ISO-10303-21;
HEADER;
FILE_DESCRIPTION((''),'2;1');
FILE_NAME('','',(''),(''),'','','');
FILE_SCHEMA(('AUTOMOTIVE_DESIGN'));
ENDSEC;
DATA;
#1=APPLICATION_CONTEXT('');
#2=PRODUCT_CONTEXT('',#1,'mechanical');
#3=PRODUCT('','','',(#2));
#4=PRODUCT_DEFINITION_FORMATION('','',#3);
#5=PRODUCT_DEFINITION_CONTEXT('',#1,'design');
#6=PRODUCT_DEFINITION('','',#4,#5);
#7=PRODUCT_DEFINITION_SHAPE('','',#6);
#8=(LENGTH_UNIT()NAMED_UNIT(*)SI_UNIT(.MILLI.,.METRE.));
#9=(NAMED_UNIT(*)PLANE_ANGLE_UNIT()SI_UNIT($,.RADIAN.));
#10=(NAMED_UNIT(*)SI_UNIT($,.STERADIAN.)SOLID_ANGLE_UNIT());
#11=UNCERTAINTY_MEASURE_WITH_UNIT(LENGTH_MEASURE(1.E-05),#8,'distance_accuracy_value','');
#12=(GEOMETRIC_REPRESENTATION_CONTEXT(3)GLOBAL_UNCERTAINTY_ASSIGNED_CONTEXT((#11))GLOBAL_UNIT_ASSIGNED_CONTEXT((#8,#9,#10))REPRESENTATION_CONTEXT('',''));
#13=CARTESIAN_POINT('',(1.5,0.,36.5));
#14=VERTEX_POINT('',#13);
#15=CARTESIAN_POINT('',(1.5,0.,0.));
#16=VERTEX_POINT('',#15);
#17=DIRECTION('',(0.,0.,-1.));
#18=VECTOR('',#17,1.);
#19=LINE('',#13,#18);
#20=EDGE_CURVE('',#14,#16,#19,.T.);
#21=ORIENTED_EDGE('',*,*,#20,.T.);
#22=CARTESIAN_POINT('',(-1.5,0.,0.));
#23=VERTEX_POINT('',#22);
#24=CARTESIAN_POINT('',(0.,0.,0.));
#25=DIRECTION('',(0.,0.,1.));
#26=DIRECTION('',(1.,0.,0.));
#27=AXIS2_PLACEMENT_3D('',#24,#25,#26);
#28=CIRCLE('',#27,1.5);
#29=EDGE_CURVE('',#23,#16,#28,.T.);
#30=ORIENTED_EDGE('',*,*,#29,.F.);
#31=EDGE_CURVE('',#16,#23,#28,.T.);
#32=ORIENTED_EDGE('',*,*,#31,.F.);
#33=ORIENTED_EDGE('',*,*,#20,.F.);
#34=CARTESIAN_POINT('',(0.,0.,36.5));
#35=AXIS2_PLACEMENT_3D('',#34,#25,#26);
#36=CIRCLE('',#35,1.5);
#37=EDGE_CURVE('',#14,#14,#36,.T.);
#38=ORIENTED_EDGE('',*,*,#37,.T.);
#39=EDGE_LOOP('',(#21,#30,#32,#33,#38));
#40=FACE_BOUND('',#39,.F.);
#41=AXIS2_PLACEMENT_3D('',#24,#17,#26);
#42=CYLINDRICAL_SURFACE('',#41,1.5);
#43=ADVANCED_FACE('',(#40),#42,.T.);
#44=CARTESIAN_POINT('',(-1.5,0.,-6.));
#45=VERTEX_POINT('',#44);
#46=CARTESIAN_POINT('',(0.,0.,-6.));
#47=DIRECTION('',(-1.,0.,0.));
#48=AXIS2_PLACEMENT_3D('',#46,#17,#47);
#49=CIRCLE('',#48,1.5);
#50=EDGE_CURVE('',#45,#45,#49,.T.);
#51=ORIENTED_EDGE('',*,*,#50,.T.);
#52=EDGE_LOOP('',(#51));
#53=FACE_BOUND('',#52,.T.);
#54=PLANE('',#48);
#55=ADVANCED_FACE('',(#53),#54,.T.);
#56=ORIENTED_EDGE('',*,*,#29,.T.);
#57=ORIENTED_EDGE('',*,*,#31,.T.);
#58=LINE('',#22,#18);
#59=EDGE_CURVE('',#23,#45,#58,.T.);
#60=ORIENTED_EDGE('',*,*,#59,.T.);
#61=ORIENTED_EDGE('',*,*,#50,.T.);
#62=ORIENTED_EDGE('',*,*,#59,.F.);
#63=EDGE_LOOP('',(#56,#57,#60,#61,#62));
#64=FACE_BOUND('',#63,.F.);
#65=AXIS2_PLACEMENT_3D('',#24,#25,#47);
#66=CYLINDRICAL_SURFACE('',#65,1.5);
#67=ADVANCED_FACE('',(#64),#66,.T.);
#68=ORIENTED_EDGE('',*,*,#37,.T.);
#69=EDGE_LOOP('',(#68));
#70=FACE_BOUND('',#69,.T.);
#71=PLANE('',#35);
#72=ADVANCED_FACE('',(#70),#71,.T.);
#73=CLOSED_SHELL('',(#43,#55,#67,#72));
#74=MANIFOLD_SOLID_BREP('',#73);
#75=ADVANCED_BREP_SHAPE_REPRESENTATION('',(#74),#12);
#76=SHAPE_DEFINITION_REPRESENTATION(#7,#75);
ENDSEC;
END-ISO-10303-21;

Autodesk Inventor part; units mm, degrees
ref_plane "YZ Plane" through (0, 0, 0) normal (1, 0, 0) x (0, 1, 0)
ref_plane "XZ Plane" through (0, 0, 0) normal (0, 1, 0) x (-1, 0, 0)
ref_plane "XY Plane" through (0, 0, 0) normal (0, 0, 1) x (1, 0, 0)
sketch "Sketch1" plane through (0, 0, 0) normal (0, 0, 1) x (1, 0, 0)
  circle A0 centre (0, 0) radius 1.5
  dimension "d0" = 3
extrude "Extrusion1" add sketch "Sketch1" along normal blind 30
sketch "Sketch4" plane through (0, 0, 30) normal (0, 0, 1) x (1, 0, 0)
  circle A0 centre (0, 0) radius 1.5
extrude "Extrusion3" add sketch "Sketch4" along normal blind 6.5
sketch "Sketch5" plane through (0, 0, 0) normal (0, 0, -1) x (-1, 0, 0)
  circle A0 centre (0, 0) radius 1.5 projected
  circle A1 centre (0, 0) radius 1.5
extrude "Extrusion4" add sketch "Sketch5" along normal blind 6
properties part number "Extra Shaft"
